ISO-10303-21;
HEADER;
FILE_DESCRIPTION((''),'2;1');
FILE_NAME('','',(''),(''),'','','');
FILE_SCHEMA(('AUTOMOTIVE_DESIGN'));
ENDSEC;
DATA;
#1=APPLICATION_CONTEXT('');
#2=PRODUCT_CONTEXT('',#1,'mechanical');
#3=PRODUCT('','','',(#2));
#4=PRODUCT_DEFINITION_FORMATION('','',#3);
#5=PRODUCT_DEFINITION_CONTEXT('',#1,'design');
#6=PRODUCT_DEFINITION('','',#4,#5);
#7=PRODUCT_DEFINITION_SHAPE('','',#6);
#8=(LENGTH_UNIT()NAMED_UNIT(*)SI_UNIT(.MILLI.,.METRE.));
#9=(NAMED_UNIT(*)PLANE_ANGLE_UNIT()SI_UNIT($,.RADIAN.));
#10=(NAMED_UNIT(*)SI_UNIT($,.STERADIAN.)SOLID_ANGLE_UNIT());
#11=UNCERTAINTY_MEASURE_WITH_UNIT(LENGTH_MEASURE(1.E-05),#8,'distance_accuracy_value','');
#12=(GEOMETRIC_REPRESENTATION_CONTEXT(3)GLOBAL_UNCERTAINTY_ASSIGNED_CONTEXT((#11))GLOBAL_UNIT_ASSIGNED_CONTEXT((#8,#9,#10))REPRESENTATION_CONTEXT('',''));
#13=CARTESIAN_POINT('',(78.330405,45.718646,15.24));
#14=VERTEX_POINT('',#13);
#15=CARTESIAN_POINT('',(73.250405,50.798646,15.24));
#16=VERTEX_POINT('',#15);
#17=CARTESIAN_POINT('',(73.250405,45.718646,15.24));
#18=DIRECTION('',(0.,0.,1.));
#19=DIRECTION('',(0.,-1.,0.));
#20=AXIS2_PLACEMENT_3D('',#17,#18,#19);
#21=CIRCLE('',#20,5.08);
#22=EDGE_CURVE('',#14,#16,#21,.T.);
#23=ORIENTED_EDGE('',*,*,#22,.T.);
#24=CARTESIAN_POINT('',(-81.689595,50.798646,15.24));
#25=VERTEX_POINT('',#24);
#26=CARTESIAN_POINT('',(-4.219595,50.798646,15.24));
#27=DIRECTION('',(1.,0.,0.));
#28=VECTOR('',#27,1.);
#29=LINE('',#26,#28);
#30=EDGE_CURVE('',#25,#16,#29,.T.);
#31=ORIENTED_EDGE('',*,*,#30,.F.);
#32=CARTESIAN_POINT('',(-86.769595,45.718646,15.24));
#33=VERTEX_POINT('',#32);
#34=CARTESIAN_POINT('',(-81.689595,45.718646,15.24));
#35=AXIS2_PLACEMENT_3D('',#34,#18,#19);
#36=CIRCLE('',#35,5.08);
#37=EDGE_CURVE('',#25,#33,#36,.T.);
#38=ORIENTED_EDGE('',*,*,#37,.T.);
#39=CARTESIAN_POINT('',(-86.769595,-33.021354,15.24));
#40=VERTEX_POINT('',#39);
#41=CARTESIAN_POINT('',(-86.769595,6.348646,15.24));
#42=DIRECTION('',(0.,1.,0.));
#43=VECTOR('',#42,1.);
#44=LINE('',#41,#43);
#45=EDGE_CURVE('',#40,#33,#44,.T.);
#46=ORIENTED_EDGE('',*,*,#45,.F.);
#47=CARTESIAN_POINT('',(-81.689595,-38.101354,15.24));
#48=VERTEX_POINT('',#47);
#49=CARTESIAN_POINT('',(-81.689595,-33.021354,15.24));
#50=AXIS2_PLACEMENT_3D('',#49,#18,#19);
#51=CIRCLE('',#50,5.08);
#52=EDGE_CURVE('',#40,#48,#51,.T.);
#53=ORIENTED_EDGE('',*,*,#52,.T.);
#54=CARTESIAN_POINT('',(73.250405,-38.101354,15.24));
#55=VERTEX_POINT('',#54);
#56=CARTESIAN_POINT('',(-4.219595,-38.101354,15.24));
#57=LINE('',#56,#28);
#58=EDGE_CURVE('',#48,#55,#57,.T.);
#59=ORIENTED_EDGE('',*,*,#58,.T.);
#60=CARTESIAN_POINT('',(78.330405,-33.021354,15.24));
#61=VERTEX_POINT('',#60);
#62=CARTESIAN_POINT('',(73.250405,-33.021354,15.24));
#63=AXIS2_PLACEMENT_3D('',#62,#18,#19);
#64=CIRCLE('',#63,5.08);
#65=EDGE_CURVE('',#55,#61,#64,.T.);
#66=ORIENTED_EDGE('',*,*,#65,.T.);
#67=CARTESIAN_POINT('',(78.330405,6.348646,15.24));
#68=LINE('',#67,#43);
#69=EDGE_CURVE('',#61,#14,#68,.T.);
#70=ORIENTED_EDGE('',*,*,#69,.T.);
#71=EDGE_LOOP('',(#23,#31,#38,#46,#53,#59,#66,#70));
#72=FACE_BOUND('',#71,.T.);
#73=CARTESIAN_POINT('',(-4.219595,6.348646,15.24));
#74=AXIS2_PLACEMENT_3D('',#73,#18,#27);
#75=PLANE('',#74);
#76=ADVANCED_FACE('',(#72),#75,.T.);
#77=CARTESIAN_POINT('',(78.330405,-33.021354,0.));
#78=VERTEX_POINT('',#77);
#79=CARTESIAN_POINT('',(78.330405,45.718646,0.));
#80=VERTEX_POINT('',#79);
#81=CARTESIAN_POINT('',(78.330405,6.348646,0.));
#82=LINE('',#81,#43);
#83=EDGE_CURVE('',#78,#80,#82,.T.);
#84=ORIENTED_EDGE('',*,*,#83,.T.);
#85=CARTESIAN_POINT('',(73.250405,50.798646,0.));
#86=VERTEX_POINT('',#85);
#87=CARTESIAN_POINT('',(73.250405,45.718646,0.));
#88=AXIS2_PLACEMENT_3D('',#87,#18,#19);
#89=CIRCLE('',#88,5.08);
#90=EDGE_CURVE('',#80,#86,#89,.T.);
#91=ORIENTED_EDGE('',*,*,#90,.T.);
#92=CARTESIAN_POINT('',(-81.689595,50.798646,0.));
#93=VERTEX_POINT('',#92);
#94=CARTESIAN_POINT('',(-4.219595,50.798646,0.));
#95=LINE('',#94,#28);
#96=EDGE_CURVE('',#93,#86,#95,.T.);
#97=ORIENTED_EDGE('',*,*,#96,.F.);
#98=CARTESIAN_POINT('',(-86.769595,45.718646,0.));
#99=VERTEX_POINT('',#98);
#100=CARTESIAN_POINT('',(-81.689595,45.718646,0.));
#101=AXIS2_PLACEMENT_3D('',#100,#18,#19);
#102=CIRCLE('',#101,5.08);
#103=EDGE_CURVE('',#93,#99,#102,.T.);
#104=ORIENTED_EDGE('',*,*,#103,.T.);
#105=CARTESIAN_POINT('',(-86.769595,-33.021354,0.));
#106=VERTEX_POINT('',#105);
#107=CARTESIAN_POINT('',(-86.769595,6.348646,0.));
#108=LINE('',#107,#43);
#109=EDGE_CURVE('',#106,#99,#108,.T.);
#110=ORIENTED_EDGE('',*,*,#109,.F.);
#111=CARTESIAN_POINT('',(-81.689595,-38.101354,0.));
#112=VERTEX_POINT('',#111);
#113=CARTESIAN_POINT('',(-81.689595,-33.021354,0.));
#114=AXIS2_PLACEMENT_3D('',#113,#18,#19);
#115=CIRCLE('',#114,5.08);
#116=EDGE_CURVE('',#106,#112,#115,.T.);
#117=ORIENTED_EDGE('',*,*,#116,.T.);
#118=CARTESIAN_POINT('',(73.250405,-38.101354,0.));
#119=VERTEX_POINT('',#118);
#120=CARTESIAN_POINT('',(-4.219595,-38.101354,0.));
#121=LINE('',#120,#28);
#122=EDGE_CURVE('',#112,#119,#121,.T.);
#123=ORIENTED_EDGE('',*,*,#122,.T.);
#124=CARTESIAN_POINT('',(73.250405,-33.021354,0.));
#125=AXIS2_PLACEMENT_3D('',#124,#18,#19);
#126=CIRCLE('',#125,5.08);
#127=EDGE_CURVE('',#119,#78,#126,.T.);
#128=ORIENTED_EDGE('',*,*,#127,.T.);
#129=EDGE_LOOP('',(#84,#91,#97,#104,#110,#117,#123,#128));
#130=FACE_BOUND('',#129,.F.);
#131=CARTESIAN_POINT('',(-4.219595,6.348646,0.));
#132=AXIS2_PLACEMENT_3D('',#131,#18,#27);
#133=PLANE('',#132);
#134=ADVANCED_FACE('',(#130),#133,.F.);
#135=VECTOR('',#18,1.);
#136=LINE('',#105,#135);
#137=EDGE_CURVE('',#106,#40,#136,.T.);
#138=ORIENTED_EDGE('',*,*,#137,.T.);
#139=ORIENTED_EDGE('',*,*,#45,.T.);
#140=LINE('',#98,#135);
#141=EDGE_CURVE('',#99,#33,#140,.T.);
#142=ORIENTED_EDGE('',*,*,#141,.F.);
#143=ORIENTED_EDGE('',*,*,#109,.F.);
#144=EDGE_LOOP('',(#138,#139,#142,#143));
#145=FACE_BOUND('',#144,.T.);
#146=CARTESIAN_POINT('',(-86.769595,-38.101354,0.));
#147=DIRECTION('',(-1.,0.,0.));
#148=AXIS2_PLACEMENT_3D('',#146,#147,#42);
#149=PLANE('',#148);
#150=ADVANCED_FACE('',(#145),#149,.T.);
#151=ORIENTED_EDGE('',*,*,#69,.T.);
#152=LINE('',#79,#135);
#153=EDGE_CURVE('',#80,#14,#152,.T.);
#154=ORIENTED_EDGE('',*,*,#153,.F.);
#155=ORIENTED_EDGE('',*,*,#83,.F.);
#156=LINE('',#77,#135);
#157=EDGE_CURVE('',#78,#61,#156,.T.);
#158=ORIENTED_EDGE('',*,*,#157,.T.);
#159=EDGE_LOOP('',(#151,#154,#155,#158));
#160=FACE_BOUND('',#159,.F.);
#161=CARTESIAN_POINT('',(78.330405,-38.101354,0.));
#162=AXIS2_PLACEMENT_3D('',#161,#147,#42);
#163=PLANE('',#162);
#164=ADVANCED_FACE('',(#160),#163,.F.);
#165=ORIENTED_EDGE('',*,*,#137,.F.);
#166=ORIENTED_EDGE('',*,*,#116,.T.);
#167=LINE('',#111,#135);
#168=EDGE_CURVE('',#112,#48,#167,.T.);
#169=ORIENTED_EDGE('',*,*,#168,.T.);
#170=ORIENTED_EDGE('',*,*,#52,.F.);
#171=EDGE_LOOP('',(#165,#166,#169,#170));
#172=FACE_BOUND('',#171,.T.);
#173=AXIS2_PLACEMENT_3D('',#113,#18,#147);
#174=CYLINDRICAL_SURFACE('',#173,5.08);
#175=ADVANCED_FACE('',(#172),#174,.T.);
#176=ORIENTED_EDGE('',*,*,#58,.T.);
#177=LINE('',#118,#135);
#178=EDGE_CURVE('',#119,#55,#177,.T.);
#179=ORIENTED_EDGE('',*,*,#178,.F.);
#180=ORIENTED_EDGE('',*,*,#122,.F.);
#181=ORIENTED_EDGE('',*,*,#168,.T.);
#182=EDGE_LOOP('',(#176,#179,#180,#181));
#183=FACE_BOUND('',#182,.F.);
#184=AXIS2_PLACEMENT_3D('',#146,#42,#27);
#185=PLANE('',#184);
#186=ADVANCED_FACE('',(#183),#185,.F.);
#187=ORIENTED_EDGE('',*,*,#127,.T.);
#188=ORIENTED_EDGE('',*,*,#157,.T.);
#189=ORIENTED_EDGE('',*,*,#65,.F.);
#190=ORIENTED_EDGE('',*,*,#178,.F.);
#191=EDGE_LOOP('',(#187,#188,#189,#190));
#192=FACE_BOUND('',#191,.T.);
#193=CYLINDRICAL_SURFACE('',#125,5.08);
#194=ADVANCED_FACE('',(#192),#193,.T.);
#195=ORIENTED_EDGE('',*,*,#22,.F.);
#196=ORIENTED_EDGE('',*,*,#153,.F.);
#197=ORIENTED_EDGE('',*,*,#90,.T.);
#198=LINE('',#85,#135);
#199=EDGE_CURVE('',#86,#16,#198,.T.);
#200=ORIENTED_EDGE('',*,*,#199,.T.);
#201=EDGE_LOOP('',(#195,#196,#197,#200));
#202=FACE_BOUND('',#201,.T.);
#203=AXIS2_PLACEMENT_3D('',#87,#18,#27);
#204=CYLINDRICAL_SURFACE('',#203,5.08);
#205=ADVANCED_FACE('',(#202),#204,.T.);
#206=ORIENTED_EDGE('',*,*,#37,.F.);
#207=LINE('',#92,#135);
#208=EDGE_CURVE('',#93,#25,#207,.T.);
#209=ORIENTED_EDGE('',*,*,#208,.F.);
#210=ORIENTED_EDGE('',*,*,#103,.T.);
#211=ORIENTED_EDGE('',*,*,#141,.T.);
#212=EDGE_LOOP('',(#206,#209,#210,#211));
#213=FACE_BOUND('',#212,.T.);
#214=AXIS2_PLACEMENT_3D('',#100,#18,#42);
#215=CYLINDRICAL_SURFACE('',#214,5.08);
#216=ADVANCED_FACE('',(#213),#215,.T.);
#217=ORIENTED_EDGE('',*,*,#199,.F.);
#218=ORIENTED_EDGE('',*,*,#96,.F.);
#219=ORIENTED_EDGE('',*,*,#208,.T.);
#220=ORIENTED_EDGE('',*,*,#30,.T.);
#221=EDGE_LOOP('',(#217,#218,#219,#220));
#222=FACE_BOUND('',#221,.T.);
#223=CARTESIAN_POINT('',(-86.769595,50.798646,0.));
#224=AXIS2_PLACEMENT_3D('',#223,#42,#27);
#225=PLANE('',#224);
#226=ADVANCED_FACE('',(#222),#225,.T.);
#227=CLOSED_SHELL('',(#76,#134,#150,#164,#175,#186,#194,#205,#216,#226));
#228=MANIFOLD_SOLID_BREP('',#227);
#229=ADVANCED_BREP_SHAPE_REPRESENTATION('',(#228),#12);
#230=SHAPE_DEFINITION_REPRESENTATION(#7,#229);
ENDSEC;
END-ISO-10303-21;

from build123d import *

# Parameters (mm, degrees)
F0_W     = 165.1
F0_H     = 88.9
F1_DEPTH = 15.24
F2_R     = 5.08
F3_R     = 5.08
F4_R     = 5.08
F5_R     = 5.08


with BuildPart() as f1:
    # F0 (on Top) → F1 (new body)
    with BuildSketch(Plane.XY):
        with Locations((-4.219595, 6.348646)):
            Rectangle(F0_W, F0_H)
    extrude(amount=F1_DEPTH)

    # F2
    f2_edges = [f1.edges().sort_by_distance(p)[0] for p in [
        (-86.769595, -38.101354, 7.62),
    ]]
    fillet(f2_edges, radius=F2_R)

    # F3
    f3_edges = [f1.edges().sort_by_distance(p)[0] for p in [
        (78.330405, -38.101354, 7.62),
    ]]
    fillet(f3_edges, radius=F3_R)

    # F4
    f4_edges = [f1.edges().sort_by_distance(p)[0] for p in [
        (78.330405, 50.798646, 7.62),
    ]]
    fillet(f4_edges, radius=F4_R)

    # F5
    f5_edges = [f1.edges().sort_by_distance(p)[0] for p in [
        (-86.769595, 50.798646, 7.62),
    ]]
    fillet(f5_edges, radius=F5_R)


solid = f1.part
